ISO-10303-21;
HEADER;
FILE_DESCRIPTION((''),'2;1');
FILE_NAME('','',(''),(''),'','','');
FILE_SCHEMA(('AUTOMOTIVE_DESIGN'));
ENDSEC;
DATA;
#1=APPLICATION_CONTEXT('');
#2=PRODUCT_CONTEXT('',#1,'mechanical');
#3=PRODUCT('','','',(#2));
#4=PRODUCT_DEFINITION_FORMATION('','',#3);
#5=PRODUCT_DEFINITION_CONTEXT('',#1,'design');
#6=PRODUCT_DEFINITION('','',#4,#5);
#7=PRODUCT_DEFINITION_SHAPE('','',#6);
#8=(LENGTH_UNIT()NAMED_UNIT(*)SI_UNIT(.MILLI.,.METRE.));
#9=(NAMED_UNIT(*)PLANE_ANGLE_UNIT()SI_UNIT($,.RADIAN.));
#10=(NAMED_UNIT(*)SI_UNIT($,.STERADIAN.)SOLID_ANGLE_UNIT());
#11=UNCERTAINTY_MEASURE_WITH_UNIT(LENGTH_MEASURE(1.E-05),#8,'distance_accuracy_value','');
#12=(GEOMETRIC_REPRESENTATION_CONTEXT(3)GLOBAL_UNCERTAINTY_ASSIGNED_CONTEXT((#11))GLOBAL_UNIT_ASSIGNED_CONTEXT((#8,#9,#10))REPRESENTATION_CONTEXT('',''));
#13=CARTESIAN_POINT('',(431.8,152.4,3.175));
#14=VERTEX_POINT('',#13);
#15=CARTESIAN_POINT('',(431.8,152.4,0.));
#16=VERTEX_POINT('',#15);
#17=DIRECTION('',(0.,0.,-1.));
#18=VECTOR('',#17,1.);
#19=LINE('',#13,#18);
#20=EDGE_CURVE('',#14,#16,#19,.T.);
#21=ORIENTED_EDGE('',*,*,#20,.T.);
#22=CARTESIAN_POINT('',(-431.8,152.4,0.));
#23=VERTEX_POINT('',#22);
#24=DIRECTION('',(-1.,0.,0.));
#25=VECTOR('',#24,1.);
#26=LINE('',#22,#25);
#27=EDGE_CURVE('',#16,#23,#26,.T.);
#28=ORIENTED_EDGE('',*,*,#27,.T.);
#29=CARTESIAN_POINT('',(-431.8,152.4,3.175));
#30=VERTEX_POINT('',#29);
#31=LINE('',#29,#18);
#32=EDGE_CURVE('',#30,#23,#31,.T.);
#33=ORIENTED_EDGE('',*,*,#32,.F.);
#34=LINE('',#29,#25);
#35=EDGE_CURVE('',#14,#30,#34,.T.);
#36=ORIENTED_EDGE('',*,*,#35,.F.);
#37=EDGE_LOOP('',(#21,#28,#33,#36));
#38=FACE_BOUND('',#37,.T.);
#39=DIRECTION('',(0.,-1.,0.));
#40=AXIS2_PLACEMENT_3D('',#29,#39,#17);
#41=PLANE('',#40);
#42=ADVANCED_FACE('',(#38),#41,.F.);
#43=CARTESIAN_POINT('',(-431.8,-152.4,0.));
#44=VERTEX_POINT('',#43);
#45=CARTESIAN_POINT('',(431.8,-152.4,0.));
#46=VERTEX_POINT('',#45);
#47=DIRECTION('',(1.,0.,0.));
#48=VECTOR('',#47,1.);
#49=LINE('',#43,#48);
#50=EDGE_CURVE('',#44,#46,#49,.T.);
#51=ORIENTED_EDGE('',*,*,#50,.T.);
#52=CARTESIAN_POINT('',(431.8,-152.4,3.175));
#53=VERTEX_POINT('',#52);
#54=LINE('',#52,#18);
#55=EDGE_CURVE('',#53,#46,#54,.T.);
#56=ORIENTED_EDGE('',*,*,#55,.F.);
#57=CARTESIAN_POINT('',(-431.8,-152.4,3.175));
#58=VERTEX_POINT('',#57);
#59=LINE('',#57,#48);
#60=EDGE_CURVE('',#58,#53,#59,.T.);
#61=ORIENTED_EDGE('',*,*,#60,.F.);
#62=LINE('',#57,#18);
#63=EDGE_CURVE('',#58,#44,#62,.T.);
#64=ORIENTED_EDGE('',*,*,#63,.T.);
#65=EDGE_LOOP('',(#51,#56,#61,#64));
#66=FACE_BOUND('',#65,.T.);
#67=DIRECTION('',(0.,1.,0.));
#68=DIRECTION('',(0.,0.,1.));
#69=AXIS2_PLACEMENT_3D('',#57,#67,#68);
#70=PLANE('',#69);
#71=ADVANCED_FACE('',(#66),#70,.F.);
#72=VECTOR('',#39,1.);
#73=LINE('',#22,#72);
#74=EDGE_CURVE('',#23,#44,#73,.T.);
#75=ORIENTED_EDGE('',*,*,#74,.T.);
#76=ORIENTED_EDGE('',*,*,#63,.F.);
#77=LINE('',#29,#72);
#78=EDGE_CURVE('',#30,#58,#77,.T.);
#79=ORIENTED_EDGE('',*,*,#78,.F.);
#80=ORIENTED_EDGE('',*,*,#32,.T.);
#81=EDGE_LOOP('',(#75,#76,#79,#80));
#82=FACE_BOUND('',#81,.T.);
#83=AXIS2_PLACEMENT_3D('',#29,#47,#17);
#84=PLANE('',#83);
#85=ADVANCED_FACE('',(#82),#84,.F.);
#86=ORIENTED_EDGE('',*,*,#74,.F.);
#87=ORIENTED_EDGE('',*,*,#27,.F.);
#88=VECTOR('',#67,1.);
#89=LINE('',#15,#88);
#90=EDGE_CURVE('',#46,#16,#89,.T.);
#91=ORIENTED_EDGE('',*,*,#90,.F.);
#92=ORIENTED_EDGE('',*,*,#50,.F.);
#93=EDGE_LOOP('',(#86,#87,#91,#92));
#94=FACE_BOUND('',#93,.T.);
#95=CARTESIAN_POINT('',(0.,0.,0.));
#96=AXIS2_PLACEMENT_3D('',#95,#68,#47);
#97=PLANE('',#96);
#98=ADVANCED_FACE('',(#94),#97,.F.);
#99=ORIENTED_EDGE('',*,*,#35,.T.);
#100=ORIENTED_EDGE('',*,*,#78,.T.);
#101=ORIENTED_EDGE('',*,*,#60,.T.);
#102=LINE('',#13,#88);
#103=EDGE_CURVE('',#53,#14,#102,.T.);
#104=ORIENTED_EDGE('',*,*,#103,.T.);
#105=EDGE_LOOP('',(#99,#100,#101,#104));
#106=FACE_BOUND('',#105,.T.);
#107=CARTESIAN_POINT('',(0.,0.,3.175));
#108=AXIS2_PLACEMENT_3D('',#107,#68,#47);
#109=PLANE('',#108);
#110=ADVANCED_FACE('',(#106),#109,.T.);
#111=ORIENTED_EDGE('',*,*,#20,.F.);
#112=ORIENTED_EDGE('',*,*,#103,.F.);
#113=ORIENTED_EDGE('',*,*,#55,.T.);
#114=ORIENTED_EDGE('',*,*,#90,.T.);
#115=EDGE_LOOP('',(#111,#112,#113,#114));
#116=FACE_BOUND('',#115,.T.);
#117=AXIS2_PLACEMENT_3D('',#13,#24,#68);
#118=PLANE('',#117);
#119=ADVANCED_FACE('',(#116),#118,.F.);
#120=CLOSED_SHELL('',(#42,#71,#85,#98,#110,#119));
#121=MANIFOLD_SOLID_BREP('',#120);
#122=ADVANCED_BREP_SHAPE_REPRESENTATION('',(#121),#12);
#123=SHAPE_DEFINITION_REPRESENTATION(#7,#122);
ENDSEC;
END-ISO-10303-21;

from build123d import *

# Parameters (mm, degrees)
SKETCH1_W           = 863.6
SKETCH1_H           = 304.8
BOSS_EXTRUDE1_DEPTH = 3.175


with BuildPart() as part:
    # Sketch1 → Boss-Extrude1 (new body)
    with BuildSketch(Plane.XY):
        Rectangle(SKETCH1_W, SKETCH1_H)
    extrude(amount=BOSS_EXTRUDE1_DEPTH)


solid = part.part
